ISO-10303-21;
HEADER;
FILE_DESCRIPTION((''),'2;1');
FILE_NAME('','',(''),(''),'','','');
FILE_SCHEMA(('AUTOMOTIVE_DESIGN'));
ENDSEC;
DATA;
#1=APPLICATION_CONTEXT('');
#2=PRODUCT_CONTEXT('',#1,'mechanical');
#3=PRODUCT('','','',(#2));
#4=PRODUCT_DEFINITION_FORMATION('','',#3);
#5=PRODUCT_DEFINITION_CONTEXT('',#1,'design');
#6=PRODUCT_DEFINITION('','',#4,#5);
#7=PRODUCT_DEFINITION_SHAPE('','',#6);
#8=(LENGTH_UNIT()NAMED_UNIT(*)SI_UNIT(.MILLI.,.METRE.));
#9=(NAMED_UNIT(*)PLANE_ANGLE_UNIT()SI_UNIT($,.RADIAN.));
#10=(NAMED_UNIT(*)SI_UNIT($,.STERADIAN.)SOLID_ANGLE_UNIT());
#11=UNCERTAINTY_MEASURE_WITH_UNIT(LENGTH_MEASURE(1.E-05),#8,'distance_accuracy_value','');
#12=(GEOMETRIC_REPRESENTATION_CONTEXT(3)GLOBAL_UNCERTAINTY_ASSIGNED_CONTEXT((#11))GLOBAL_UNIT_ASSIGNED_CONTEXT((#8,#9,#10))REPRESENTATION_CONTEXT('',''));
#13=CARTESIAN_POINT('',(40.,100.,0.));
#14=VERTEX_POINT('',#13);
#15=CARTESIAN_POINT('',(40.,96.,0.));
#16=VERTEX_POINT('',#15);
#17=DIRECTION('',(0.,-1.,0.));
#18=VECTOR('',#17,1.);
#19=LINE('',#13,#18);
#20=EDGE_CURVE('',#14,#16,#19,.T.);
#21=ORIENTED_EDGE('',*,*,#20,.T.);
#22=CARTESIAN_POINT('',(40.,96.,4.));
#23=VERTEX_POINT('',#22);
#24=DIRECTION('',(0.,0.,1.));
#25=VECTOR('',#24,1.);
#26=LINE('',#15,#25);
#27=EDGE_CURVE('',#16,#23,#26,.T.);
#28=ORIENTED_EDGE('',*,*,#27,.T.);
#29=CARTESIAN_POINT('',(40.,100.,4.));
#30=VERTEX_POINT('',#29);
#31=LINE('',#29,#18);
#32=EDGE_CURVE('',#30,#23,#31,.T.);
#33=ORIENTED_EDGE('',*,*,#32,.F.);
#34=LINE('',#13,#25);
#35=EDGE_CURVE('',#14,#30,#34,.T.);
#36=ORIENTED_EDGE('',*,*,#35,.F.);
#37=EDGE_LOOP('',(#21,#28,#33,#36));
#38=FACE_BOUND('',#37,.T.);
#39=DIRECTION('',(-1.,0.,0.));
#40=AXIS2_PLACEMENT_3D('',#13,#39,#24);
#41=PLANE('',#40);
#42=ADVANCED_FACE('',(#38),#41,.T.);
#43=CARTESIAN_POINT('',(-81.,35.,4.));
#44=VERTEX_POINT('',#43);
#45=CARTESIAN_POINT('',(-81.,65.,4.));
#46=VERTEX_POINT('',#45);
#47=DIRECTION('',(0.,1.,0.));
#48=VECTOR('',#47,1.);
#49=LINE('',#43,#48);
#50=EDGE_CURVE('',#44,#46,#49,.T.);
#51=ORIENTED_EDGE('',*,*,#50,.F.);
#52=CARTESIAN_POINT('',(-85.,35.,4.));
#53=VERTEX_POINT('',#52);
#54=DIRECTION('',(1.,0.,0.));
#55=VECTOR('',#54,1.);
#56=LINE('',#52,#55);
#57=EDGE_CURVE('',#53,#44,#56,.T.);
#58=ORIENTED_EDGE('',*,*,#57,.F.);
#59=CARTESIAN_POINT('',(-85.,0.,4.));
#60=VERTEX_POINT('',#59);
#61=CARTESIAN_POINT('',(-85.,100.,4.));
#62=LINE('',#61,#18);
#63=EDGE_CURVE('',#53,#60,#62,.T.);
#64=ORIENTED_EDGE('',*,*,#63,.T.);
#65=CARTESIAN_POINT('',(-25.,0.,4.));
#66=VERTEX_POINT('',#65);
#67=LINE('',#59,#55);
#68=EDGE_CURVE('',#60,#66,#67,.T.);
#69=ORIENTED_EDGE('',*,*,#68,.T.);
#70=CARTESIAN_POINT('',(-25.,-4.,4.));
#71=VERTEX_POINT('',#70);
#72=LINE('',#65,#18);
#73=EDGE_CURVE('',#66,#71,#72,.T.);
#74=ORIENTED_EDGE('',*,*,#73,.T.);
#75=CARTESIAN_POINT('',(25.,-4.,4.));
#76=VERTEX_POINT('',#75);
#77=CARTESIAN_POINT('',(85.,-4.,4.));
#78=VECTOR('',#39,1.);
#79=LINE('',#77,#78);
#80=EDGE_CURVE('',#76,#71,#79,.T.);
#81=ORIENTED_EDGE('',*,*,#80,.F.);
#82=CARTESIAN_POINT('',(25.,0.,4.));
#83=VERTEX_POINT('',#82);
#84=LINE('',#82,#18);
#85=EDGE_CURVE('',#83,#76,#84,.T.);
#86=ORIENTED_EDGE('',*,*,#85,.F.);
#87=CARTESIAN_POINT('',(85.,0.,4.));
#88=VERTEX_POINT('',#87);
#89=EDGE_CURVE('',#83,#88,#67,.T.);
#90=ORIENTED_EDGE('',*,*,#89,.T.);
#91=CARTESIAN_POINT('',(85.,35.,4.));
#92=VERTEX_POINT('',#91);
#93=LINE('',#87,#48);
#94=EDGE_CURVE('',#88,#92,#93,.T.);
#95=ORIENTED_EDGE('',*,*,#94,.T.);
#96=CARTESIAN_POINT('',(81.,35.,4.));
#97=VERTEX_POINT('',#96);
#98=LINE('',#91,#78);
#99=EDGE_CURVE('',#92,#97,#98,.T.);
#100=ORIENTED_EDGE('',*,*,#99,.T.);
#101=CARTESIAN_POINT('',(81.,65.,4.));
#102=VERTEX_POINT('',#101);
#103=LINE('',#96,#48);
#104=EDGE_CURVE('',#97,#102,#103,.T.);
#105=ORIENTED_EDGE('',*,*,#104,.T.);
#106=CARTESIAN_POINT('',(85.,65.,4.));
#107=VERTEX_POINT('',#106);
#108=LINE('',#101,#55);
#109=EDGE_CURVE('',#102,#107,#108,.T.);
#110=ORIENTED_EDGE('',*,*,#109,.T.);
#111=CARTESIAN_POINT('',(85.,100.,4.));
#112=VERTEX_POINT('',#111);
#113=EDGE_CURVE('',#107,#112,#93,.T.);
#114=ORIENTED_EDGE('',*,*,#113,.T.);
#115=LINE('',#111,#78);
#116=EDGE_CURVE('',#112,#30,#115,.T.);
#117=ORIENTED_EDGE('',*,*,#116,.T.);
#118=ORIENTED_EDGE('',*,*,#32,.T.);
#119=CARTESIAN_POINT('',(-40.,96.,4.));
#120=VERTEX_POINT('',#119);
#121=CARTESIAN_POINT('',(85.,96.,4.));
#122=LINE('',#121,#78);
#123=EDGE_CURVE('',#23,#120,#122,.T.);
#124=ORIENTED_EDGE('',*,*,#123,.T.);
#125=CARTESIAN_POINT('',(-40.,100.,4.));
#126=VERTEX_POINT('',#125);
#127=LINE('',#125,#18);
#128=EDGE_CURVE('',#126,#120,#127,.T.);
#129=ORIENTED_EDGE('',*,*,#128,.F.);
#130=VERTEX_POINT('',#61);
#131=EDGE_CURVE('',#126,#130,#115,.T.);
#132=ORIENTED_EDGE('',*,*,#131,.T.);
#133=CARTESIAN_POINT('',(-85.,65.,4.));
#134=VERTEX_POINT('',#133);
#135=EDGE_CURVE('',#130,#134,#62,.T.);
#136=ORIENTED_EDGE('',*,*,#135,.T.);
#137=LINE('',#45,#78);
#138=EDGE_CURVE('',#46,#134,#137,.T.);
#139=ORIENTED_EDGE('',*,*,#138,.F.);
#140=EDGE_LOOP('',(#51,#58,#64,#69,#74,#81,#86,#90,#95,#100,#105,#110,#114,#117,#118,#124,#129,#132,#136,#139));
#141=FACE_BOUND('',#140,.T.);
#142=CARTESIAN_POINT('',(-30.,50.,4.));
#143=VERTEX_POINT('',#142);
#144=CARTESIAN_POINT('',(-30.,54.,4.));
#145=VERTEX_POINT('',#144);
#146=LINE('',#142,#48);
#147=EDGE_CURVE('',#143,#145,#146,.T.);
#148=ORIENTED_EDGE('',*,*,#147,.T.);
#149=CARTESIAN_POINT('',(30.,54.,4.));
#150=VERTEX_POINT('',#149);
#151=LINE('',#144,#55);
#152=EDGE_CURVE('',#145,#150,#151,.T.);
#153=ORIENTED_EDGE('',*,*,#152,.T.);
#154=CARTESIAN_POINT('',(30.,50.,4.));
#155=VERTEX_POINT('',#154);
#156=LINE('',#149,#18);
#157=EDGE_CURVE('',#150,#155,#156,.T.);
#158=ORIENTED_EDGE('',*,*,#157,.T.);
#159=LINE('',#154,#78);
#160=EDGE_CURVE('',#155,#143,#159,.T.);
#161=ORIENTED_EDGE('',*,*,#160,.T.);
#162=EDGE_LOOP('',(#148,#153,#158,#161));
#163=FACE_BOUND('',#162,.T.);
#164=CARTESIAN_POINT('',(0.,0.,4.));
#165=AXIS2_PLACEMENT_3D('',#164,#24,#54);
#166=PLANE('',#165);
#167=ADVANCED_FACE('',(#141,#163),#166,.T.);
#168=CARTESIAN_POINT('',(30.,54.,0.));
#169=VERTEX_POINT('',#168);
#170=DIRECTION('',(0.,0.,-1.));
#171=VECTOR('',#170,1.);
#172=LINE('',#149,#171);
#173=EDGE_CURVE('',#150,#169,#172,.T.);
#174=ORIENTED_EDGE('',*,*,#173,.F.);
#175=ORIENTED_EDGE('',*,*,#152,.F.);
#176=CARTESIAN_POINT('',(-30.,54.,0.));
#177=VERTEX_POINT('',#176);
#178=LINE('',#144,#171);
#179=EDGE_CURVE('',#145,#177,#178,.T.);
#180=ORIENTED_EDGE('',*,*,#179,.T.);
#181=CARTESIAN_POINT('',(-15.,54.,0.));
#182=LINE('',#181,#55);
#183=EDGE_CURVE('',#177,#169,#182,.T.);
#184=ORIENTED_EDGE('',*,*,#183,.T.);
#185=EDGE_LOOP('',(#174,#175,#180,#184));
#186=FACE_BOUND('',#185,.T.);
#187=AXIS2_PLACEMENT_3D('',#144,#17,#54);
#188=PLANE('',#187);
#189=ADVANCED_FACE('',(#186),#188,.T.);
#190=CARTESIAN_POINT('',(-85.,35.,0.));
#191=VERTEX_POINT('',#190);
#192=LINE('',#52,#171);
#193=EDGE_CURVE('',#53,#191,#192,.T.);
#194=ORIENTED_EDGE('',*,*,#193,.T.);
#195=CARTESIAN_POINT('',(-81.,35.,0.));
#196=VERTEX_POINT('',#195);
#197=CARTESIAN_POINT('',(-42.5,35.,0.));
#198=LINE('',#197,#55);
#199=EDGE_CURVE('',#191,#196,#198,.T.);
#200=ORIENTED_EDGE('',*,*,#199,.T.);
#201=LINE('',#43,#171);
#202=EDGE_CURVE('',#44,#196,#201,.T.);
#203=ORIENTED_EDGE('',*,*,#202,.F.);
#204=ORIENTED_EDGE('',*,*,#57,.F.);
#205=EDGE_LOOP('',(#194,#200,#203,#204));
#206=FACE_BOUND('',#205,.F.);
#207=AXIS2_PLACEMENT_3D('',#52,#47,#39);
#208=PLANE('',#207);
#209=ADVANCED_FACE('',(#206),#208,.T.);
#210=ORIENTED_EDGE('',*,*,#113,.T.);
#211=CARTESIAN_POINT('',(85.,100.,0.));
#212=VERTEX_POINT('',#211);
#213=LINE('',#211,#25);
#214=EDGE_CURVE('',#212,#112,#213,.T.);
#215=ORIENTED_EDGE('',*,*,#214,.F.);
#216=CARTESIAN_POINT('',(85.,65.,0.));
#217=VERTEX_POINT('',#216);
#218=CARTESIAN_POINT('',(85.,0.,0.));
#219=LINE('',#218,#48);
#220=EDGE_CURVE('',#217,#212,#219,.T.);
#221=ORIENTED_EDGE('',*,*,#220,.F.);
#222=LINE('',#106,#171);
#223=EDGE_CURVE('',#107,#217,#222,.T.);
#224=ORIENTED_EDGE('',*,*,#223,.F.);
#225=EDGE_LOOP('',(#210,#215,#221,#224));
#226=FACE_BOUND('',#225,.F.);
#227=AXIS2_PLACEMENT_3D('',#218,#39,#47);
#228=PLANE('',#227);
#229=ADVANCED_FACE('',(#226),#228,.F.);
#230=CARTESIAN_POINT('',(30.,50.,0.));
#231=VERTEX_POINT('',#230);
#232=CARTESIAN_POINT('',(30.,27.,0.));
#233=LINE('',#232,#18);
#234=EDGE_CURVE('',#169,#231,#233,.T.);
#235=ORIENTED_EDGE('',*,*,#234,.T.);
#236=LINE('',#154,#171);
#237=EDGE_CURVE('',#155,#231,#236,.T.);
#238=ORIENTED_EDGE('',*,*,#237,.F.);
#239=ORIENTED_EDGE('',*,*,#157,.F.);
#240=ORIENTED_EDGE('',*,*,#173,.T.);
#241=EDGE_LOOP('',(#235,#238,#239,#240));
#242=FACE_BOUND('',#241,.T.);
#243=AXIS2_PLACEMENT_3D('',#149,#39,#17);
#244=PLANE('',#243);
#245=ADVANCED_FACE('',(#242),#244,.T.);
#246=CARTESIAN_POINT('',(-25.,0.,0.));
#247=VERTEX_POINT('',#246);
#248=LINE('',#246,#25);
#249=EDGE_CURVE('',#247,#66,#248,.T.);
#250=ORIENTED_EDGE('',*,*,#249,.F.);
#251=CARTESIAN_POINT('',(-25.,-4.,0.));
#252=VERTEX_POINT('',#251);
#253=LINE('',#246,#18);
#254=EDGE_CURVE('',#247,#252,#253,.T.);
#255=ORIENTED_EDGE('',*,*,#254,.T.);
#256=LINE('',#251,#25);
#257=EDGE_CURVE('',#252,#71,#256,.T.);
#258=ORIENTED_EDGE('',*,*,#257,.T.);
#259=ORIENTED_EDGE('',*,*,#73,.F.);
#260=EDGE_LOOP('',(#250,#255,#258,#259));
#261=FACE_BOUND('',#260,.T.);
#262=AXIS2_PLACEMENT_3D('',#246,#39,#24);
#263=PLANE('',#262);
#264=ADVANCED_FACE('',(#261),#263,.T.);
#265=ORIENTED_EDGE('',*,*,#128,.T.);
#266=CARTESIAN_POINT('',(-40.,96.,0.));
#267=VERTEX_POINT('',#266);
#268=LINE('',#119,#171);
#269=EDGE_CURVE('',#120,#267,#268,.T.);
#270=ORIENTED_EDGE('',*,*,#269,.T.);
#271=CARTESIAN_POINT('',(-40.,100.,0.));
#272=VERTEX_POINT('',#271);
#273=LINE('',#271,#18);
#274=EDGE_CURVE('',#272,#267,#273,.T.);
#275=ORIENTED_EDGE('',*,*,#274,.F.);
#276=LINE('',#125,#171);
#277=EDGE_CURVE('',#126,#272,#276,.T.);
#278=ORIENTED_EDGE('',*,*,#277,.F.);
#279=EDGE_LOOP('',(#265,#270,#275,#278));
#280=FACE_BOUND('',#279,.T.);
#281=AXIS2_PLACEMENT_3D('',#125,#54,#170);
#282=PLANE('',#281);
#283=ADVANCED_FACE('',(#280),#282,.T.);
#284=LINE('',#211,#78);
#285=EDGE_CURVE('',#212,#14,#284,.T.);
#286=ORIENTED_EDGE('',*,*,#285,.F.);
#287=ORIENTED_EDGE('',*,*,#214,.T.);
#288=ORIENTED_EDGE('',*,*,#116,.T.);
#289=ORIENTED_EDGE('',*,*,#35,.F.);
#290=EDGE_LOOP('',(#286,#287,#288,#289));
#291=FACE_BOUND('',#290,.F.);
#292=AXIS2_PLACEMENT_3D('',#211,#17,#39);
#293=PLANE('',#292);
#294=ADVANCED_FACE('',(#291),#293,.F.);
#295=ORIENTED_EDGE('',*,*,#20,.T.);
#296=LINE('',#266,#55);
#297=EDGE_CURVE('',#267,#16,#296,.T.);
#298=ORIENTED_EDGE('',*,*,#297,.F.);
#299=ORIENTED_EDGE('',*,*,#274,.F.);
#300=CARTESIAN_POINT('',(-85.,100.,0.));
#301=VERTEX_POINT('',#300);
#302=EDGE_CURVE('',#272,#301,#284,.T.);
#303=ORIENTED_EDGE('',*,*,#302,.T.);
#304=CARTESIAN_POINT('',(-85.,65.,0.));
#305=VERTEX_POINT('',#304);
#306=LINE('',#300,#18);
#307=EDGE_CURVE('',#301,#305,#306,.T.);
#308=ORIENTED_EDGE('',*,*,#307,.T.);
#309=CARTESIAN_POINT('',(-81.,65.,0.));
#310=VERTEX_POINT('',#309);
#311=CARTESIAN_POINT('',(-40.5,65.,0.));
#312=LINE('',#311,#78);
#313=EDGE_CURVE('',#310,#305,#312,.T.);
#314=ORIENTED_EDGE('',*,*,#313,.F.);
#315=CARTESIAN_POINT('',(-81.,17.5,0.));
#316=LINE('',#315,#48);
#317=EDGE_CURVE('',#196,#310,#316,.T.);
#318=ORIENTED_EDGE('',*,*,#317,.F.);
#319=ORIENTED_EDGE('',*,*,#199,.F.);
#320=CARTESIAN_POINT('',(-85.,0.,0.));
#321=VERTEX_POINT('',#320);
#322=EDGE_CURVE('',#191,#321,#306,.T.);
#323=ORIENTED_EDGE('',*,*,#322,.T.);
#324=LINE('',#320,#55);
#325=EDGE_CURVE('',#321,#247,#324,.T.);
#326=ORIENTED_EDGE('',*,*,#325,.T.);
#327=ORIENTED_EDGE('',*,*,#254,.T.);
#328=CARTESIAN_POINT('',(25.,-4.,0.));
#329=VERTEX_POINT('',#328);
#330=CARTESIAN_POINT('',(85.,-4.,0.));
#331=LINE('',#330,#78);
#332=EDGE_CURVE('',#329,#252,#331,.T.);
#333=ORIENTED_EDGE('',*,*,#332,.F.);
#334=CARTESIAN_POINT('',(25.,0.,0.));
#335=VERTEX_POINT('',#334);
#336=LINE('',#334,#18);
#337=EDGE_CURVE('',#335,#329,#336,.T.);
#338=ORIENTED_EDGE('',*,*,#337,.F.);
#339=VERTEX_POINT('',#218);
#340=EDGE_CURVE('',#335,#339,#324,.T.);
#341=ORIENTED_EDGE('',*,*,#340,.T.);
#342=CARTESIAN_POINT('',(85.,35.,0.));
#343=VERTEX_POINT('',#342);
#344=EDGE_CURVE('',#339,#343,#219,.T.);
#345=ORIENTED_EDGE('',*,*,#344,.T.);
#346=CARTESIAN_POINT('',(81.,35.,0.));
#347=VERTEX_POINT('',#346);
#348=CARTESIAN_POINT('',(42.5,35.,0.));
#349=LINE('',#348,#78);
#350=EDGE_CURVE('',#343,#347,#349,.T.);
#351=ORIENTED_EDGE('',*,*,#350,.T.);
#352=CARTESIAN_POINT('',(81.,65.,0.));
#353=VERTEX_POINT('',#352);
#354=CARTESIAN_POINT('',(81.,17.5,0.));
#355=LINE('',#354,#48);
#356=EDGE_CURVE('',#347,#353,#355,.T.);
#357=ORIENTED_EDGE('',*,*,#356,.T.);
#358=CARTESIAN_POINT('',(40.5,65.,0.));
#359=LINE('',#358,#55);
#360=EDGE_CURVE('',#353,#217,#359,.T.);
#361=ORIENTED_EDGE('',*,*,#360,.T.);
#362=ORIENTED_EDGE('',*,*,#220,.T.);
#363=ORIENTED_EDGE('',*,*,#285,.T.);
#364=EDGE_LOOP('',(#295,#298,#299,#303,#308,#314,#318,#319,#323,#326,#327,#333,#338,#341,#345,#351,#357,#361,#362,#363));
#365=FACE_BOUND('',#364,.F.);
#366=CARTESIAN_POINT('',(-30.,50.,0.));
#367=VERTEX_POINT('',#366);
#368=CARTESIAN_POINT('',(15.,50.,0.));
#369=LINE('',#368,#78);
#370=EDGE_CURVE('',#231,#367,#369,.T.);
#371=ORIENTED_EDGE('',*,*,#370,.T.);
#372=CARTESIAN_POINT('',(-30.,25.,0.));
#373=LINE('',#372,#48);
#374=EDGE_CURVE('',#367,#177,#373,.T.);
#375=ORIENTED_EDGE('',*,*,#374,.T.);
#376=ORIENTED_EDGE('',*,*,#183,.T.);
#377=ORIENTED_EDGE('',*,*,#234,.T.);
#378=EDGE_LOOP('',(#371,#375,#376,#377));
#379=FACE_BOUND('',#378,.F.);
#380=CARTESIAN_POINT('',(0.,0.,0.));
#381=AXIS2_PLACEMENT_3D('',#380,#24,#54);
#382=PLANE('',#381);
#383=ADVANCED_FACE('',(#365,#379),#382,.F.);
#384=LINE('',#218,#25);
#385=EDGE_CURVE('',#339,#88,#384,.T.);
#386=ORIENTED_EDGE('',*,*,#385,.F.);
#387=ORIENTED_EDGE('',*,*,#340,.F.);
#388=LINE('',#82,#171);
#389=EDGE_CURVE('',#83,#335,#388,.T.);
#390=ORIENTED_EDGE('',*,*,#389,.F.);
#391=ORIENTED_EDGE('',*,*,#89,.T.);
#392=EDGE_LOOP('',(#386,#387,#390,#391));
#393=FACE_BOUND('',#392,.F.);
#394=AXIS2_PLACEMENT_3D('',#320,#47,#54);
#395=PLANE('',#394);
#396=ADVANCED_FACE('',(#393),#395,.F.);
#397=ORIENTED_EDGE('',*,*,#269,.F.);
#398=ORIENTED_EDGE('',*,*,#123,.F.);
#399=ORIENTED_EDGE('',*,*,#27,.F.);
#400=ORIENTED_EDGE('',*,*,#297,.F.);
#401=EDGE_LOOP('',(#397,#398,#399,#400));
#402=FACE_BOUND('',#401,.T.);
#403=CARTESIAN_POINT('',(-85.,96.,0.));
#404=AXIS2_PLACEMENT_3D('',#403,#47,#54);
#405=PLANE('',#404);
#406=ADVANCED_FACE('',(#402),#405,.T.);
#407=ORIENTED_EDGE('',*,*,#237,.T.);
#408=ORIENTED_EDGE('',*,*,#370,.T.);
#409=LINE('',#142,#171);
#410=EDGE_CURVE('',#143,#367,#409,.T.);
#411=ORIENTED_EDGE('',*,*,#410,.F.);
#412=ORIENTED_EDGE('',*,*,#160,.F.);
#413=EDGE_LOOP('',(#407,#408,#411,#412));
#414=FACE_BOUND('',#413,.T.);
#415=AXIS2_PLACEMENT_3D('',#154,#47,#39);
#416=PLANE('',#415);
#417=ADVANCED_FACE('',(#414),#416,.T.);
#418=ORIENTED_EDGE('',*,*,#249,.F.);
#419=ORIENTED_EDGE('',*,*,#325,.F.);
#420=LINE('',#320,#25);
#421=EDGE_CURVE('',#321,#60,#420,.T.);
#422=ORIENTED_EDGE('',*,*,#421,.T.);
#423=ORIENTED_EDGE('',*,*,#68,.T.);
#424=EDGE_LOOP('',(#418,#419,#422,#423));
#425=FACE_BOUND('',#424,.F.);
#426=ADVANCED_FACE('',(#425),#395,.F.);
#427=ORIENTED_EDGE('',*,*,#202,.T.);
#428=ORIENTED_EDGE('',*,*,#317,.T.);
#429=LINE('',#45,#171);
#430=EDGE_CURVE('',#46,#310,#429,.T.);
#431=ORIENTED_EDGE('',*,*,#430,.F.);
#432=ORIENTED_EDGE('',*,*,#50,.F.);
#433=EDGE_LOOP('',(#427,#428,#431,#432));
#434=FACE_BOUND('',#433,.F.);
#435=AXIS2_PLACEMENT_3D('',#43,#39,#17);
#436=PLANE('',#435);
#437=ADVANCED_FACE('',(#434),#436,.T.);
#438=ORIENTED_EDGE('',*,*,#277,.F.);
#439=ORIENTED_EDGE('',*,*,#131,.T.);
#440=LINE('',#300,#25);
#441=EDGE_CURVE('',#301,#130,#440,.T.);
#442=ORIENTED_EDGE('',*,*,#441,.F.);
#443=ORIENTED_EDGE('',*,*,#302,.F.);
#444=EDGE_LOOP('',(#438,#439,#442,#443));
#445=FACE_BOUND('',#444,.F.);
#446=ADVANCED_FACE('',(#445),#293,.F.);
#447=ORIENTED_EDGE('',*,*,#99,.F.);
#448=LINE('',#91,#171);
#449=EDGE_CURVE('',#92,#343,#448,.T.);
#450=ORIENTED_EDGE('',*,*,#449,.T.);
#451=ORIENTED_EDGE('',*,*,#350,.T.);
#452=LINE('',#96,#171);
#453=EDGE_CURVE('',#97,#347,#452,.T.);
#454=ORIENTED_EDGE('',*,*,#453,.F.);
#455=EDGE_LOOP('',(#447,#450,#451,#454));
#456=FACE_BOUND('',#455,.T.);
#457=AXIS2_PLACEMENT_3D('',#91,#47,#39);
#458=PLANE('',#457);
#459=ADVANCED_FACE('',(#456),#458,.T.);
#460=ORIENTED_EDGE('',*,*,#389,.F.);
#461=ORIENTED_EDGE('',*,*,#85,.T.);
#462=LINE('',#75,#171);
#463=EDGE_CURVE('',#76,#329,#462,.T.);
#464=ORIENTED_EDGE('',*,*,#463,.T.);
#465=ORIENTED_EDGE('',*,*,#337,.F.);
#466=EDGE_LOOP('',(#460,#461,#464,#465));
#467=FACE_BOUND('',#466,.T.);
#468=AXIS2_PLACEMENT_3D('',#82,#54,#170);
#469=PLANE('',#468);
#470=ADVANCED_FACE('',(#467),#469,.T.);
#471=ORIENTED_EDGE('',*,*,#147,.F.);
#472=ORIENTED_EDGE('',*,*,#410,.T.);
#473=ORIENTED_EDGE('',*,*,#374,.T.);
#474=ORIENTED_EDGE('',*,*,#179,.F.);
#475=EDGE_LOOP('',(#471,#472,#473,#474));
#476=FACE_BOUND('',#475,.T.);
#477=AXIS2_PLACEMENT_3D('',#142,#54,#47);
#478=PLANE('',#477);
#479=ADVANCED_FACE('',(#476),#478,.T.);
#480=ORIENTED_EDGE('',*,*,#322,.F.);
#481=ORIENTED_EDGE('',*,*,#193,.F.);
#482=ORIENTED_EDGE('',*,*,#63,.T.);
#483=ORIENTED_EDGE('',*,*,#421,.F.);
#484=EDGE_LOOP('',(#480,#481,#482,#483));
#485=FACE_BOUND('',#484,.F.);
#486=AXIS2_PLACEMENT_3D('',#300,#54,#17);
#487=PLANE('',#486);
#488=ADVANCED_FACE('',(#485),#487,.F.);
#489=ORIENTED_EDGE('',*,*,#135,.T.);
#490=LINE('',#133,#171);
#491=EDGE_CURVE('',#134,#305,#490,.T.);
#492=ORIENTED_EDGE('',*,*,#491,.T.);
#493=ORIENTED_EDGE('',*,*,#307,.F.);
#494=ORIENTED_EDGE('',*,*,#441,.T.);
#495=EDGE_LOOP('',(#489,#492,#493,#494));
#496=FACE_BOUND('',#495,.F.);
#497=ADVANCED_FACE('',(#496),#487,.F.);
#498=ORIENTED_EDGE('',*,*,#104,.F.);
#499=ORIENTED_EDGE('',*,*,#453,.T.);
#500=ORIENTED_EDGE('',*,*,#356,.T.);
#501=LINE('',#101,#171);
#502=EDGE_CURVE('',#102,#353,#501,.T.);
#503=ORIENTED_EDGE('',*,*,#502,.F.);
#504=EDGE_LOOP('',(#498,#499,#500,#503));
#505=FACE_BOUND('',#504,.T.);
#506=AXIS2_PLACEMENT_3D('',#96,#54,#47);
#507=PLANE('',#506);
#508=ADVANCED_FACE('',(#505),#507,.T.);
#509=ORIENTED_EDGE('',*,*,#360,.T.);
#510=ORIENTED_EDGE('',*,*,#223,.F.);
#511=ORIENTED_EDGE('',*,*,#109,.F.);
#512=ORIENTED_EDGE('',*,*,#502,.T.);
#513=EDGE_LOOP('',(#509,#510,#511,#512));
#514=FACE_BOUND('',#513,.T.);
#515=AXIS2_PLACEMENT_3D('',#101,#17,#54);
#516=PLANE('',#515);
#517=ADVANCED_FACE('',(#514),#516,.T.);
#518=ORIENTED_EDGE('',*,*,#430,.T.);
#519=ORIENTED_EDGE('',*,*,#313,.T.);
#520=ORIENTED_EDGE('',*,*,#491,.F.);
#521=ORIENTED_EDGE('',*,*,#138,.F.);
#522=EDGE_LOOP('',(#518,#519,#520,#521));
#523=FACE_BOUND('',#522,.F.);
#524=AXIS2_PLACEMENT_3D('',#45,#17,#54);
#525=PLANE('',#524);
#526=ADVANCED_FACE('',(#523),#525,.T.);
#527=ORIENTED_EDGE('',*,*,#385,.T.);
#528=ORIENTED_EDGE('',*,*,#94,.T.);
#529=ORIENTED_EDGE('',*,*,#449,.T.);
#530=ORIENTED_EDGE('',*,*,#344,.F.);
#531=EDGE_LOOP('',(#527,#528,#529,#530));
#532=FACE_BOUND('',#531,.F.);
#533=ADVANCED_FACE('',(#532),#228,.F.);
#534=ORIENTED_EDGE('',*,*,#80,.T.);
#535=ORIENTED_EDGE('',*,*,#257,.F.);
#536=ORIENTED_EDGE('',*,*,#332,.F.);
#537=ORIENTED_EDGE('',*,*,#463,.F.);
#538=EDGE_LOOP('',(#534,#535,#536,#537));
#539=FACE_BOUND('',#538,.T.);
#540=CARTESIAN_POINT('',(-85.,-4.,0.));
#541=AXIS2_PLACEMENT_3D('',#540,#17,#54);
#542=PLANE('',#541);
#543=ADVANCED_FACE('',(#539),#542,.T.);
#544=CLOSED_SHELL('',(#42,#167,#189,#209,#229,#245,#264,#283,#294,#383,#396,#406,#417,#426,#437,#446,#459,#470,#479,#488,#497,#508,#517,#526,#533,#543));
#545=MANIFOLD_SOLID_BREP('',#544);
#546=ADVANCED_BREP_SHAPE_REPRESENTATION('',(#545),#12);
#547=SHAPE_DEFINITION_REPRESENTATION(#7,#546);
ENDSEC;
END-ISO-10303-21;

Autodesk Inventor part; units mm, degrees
ref_plane "YZ Plane" through (0, 0, 0) normal (1, 0, 0) x (0, 1, 0)
ref_plane "XZ Plane" through (0, 0, 0) normal (0, 1, 0) x (-1, 0, 0)
ref_plane "XY Plane" through (0, 0, 0) normal (0, 0, 1) x (1, 0, 0)
sketch "Sketch1" plane through (0, 0, 0) normal (0, 0, 1) x (1, 0, 0)
  line L0 (-85, 0) -> (85, 0)
  line L1 (85, 0) -> (85, 100)
  line L2 (85, 100) -> (-85, 100)
  line L3 (-85, 100) -> (-85, 0)
  point P0 (0, 0)
  point P1 (0, 0)
  dimension "d0" = 170
  dimension "d1" = 100
extrude "Extrusion1" add sketch "Sketch1" along normal blind 4
sketch "Sketch2" plane through (-85, 0, 0) normal (0, -1, 0) x (1, 0, 0)
  line L0 (170, 4) -> (0, 4) projected
  line L1 (170, 0) -> (0, 0) projected
  line L2 (60, 4) -> (110, 4)
  line L3 (110, 4) -> (110, 0)
  line L4 (110, 0) -> (60, 0)
  line L5 (60, 0) -> (60, 4)
  point P0 (85, 0)
  point P1 (85, 0)
  dimension "d4" = 25
  dimension "d5" = 50
extrude "Extrusion2" add sketch "Sketch2" along normal blind 4
sketch "Sketch4" plane through (0, 0, 4) normal (0, 0, 1) x (1, 0, 0)
  line L0 (85, 0) -> (85, 100) projected
  line L1 (85, 35) -> (81, 35)
  line L2 (81, 35) -> (81, 65)
  line L3 (81, 65) -> (85, 65)
  line L4 (85, 65) -> (85, 35)
  line L5 (85, 100) -> (-85, 100) projected
  line L6 (25, 0) -> (85, 0) projected
  point P0 (0, 0)
  dimension "d12" = 4
  dimension "d13" = 35
  dimension "d14" = 35
extrude "Extrusion4" cut sketch "Sketch4" against normal blind 10
mirror "Mirror2" about plane through (0, 0, 0) normal (1, 0, 0) of "Extrusion4"
sketch "Sketch5" plane through (-85, 100, 0) normal (0, 1, 0) x (1, 0, 0)
  line L0 (170, -4) -> (0, -4) projected
  line L1 (45, 0) -> (125, 0)
  line L2 (125, 0) -> (125, -4)
  line L3 (125, -4) -> (45, -4)
  line L4 (45, -4) -> (45, 0)
  line L5 (170, 0) -> (0, 0) projected
  point P0 (85, 0)
  point P1 (85, 0)
  point P2 (45, -4)
  dimension "d17" = 80
  dimension "d18" = 40
extrude "Extrusion5" cut sketch "Sketch5" against normal blind 4
sketch "Sketch6" plane through (0, 0, 4) normal (0, 0, 1) x (1, 0, 0)
  line L0 (-30, 54) -> (30, 54)
  line L1 (30, 54) -> (30, 50)
  line L2 (30, 50) -> (-30, 50)
  line L3 (-30, 50) -> (-30, 54)
  point P0 (0, 0)
  point P1 (0, 54)
  dimension "d21" = 60
  dimension "d22" = 4
  dimension "d23" = 50
extrude "Extrusion6" cut sketch "Sketch6" against normal blind 10
properties part number "Tapa Tracera"
